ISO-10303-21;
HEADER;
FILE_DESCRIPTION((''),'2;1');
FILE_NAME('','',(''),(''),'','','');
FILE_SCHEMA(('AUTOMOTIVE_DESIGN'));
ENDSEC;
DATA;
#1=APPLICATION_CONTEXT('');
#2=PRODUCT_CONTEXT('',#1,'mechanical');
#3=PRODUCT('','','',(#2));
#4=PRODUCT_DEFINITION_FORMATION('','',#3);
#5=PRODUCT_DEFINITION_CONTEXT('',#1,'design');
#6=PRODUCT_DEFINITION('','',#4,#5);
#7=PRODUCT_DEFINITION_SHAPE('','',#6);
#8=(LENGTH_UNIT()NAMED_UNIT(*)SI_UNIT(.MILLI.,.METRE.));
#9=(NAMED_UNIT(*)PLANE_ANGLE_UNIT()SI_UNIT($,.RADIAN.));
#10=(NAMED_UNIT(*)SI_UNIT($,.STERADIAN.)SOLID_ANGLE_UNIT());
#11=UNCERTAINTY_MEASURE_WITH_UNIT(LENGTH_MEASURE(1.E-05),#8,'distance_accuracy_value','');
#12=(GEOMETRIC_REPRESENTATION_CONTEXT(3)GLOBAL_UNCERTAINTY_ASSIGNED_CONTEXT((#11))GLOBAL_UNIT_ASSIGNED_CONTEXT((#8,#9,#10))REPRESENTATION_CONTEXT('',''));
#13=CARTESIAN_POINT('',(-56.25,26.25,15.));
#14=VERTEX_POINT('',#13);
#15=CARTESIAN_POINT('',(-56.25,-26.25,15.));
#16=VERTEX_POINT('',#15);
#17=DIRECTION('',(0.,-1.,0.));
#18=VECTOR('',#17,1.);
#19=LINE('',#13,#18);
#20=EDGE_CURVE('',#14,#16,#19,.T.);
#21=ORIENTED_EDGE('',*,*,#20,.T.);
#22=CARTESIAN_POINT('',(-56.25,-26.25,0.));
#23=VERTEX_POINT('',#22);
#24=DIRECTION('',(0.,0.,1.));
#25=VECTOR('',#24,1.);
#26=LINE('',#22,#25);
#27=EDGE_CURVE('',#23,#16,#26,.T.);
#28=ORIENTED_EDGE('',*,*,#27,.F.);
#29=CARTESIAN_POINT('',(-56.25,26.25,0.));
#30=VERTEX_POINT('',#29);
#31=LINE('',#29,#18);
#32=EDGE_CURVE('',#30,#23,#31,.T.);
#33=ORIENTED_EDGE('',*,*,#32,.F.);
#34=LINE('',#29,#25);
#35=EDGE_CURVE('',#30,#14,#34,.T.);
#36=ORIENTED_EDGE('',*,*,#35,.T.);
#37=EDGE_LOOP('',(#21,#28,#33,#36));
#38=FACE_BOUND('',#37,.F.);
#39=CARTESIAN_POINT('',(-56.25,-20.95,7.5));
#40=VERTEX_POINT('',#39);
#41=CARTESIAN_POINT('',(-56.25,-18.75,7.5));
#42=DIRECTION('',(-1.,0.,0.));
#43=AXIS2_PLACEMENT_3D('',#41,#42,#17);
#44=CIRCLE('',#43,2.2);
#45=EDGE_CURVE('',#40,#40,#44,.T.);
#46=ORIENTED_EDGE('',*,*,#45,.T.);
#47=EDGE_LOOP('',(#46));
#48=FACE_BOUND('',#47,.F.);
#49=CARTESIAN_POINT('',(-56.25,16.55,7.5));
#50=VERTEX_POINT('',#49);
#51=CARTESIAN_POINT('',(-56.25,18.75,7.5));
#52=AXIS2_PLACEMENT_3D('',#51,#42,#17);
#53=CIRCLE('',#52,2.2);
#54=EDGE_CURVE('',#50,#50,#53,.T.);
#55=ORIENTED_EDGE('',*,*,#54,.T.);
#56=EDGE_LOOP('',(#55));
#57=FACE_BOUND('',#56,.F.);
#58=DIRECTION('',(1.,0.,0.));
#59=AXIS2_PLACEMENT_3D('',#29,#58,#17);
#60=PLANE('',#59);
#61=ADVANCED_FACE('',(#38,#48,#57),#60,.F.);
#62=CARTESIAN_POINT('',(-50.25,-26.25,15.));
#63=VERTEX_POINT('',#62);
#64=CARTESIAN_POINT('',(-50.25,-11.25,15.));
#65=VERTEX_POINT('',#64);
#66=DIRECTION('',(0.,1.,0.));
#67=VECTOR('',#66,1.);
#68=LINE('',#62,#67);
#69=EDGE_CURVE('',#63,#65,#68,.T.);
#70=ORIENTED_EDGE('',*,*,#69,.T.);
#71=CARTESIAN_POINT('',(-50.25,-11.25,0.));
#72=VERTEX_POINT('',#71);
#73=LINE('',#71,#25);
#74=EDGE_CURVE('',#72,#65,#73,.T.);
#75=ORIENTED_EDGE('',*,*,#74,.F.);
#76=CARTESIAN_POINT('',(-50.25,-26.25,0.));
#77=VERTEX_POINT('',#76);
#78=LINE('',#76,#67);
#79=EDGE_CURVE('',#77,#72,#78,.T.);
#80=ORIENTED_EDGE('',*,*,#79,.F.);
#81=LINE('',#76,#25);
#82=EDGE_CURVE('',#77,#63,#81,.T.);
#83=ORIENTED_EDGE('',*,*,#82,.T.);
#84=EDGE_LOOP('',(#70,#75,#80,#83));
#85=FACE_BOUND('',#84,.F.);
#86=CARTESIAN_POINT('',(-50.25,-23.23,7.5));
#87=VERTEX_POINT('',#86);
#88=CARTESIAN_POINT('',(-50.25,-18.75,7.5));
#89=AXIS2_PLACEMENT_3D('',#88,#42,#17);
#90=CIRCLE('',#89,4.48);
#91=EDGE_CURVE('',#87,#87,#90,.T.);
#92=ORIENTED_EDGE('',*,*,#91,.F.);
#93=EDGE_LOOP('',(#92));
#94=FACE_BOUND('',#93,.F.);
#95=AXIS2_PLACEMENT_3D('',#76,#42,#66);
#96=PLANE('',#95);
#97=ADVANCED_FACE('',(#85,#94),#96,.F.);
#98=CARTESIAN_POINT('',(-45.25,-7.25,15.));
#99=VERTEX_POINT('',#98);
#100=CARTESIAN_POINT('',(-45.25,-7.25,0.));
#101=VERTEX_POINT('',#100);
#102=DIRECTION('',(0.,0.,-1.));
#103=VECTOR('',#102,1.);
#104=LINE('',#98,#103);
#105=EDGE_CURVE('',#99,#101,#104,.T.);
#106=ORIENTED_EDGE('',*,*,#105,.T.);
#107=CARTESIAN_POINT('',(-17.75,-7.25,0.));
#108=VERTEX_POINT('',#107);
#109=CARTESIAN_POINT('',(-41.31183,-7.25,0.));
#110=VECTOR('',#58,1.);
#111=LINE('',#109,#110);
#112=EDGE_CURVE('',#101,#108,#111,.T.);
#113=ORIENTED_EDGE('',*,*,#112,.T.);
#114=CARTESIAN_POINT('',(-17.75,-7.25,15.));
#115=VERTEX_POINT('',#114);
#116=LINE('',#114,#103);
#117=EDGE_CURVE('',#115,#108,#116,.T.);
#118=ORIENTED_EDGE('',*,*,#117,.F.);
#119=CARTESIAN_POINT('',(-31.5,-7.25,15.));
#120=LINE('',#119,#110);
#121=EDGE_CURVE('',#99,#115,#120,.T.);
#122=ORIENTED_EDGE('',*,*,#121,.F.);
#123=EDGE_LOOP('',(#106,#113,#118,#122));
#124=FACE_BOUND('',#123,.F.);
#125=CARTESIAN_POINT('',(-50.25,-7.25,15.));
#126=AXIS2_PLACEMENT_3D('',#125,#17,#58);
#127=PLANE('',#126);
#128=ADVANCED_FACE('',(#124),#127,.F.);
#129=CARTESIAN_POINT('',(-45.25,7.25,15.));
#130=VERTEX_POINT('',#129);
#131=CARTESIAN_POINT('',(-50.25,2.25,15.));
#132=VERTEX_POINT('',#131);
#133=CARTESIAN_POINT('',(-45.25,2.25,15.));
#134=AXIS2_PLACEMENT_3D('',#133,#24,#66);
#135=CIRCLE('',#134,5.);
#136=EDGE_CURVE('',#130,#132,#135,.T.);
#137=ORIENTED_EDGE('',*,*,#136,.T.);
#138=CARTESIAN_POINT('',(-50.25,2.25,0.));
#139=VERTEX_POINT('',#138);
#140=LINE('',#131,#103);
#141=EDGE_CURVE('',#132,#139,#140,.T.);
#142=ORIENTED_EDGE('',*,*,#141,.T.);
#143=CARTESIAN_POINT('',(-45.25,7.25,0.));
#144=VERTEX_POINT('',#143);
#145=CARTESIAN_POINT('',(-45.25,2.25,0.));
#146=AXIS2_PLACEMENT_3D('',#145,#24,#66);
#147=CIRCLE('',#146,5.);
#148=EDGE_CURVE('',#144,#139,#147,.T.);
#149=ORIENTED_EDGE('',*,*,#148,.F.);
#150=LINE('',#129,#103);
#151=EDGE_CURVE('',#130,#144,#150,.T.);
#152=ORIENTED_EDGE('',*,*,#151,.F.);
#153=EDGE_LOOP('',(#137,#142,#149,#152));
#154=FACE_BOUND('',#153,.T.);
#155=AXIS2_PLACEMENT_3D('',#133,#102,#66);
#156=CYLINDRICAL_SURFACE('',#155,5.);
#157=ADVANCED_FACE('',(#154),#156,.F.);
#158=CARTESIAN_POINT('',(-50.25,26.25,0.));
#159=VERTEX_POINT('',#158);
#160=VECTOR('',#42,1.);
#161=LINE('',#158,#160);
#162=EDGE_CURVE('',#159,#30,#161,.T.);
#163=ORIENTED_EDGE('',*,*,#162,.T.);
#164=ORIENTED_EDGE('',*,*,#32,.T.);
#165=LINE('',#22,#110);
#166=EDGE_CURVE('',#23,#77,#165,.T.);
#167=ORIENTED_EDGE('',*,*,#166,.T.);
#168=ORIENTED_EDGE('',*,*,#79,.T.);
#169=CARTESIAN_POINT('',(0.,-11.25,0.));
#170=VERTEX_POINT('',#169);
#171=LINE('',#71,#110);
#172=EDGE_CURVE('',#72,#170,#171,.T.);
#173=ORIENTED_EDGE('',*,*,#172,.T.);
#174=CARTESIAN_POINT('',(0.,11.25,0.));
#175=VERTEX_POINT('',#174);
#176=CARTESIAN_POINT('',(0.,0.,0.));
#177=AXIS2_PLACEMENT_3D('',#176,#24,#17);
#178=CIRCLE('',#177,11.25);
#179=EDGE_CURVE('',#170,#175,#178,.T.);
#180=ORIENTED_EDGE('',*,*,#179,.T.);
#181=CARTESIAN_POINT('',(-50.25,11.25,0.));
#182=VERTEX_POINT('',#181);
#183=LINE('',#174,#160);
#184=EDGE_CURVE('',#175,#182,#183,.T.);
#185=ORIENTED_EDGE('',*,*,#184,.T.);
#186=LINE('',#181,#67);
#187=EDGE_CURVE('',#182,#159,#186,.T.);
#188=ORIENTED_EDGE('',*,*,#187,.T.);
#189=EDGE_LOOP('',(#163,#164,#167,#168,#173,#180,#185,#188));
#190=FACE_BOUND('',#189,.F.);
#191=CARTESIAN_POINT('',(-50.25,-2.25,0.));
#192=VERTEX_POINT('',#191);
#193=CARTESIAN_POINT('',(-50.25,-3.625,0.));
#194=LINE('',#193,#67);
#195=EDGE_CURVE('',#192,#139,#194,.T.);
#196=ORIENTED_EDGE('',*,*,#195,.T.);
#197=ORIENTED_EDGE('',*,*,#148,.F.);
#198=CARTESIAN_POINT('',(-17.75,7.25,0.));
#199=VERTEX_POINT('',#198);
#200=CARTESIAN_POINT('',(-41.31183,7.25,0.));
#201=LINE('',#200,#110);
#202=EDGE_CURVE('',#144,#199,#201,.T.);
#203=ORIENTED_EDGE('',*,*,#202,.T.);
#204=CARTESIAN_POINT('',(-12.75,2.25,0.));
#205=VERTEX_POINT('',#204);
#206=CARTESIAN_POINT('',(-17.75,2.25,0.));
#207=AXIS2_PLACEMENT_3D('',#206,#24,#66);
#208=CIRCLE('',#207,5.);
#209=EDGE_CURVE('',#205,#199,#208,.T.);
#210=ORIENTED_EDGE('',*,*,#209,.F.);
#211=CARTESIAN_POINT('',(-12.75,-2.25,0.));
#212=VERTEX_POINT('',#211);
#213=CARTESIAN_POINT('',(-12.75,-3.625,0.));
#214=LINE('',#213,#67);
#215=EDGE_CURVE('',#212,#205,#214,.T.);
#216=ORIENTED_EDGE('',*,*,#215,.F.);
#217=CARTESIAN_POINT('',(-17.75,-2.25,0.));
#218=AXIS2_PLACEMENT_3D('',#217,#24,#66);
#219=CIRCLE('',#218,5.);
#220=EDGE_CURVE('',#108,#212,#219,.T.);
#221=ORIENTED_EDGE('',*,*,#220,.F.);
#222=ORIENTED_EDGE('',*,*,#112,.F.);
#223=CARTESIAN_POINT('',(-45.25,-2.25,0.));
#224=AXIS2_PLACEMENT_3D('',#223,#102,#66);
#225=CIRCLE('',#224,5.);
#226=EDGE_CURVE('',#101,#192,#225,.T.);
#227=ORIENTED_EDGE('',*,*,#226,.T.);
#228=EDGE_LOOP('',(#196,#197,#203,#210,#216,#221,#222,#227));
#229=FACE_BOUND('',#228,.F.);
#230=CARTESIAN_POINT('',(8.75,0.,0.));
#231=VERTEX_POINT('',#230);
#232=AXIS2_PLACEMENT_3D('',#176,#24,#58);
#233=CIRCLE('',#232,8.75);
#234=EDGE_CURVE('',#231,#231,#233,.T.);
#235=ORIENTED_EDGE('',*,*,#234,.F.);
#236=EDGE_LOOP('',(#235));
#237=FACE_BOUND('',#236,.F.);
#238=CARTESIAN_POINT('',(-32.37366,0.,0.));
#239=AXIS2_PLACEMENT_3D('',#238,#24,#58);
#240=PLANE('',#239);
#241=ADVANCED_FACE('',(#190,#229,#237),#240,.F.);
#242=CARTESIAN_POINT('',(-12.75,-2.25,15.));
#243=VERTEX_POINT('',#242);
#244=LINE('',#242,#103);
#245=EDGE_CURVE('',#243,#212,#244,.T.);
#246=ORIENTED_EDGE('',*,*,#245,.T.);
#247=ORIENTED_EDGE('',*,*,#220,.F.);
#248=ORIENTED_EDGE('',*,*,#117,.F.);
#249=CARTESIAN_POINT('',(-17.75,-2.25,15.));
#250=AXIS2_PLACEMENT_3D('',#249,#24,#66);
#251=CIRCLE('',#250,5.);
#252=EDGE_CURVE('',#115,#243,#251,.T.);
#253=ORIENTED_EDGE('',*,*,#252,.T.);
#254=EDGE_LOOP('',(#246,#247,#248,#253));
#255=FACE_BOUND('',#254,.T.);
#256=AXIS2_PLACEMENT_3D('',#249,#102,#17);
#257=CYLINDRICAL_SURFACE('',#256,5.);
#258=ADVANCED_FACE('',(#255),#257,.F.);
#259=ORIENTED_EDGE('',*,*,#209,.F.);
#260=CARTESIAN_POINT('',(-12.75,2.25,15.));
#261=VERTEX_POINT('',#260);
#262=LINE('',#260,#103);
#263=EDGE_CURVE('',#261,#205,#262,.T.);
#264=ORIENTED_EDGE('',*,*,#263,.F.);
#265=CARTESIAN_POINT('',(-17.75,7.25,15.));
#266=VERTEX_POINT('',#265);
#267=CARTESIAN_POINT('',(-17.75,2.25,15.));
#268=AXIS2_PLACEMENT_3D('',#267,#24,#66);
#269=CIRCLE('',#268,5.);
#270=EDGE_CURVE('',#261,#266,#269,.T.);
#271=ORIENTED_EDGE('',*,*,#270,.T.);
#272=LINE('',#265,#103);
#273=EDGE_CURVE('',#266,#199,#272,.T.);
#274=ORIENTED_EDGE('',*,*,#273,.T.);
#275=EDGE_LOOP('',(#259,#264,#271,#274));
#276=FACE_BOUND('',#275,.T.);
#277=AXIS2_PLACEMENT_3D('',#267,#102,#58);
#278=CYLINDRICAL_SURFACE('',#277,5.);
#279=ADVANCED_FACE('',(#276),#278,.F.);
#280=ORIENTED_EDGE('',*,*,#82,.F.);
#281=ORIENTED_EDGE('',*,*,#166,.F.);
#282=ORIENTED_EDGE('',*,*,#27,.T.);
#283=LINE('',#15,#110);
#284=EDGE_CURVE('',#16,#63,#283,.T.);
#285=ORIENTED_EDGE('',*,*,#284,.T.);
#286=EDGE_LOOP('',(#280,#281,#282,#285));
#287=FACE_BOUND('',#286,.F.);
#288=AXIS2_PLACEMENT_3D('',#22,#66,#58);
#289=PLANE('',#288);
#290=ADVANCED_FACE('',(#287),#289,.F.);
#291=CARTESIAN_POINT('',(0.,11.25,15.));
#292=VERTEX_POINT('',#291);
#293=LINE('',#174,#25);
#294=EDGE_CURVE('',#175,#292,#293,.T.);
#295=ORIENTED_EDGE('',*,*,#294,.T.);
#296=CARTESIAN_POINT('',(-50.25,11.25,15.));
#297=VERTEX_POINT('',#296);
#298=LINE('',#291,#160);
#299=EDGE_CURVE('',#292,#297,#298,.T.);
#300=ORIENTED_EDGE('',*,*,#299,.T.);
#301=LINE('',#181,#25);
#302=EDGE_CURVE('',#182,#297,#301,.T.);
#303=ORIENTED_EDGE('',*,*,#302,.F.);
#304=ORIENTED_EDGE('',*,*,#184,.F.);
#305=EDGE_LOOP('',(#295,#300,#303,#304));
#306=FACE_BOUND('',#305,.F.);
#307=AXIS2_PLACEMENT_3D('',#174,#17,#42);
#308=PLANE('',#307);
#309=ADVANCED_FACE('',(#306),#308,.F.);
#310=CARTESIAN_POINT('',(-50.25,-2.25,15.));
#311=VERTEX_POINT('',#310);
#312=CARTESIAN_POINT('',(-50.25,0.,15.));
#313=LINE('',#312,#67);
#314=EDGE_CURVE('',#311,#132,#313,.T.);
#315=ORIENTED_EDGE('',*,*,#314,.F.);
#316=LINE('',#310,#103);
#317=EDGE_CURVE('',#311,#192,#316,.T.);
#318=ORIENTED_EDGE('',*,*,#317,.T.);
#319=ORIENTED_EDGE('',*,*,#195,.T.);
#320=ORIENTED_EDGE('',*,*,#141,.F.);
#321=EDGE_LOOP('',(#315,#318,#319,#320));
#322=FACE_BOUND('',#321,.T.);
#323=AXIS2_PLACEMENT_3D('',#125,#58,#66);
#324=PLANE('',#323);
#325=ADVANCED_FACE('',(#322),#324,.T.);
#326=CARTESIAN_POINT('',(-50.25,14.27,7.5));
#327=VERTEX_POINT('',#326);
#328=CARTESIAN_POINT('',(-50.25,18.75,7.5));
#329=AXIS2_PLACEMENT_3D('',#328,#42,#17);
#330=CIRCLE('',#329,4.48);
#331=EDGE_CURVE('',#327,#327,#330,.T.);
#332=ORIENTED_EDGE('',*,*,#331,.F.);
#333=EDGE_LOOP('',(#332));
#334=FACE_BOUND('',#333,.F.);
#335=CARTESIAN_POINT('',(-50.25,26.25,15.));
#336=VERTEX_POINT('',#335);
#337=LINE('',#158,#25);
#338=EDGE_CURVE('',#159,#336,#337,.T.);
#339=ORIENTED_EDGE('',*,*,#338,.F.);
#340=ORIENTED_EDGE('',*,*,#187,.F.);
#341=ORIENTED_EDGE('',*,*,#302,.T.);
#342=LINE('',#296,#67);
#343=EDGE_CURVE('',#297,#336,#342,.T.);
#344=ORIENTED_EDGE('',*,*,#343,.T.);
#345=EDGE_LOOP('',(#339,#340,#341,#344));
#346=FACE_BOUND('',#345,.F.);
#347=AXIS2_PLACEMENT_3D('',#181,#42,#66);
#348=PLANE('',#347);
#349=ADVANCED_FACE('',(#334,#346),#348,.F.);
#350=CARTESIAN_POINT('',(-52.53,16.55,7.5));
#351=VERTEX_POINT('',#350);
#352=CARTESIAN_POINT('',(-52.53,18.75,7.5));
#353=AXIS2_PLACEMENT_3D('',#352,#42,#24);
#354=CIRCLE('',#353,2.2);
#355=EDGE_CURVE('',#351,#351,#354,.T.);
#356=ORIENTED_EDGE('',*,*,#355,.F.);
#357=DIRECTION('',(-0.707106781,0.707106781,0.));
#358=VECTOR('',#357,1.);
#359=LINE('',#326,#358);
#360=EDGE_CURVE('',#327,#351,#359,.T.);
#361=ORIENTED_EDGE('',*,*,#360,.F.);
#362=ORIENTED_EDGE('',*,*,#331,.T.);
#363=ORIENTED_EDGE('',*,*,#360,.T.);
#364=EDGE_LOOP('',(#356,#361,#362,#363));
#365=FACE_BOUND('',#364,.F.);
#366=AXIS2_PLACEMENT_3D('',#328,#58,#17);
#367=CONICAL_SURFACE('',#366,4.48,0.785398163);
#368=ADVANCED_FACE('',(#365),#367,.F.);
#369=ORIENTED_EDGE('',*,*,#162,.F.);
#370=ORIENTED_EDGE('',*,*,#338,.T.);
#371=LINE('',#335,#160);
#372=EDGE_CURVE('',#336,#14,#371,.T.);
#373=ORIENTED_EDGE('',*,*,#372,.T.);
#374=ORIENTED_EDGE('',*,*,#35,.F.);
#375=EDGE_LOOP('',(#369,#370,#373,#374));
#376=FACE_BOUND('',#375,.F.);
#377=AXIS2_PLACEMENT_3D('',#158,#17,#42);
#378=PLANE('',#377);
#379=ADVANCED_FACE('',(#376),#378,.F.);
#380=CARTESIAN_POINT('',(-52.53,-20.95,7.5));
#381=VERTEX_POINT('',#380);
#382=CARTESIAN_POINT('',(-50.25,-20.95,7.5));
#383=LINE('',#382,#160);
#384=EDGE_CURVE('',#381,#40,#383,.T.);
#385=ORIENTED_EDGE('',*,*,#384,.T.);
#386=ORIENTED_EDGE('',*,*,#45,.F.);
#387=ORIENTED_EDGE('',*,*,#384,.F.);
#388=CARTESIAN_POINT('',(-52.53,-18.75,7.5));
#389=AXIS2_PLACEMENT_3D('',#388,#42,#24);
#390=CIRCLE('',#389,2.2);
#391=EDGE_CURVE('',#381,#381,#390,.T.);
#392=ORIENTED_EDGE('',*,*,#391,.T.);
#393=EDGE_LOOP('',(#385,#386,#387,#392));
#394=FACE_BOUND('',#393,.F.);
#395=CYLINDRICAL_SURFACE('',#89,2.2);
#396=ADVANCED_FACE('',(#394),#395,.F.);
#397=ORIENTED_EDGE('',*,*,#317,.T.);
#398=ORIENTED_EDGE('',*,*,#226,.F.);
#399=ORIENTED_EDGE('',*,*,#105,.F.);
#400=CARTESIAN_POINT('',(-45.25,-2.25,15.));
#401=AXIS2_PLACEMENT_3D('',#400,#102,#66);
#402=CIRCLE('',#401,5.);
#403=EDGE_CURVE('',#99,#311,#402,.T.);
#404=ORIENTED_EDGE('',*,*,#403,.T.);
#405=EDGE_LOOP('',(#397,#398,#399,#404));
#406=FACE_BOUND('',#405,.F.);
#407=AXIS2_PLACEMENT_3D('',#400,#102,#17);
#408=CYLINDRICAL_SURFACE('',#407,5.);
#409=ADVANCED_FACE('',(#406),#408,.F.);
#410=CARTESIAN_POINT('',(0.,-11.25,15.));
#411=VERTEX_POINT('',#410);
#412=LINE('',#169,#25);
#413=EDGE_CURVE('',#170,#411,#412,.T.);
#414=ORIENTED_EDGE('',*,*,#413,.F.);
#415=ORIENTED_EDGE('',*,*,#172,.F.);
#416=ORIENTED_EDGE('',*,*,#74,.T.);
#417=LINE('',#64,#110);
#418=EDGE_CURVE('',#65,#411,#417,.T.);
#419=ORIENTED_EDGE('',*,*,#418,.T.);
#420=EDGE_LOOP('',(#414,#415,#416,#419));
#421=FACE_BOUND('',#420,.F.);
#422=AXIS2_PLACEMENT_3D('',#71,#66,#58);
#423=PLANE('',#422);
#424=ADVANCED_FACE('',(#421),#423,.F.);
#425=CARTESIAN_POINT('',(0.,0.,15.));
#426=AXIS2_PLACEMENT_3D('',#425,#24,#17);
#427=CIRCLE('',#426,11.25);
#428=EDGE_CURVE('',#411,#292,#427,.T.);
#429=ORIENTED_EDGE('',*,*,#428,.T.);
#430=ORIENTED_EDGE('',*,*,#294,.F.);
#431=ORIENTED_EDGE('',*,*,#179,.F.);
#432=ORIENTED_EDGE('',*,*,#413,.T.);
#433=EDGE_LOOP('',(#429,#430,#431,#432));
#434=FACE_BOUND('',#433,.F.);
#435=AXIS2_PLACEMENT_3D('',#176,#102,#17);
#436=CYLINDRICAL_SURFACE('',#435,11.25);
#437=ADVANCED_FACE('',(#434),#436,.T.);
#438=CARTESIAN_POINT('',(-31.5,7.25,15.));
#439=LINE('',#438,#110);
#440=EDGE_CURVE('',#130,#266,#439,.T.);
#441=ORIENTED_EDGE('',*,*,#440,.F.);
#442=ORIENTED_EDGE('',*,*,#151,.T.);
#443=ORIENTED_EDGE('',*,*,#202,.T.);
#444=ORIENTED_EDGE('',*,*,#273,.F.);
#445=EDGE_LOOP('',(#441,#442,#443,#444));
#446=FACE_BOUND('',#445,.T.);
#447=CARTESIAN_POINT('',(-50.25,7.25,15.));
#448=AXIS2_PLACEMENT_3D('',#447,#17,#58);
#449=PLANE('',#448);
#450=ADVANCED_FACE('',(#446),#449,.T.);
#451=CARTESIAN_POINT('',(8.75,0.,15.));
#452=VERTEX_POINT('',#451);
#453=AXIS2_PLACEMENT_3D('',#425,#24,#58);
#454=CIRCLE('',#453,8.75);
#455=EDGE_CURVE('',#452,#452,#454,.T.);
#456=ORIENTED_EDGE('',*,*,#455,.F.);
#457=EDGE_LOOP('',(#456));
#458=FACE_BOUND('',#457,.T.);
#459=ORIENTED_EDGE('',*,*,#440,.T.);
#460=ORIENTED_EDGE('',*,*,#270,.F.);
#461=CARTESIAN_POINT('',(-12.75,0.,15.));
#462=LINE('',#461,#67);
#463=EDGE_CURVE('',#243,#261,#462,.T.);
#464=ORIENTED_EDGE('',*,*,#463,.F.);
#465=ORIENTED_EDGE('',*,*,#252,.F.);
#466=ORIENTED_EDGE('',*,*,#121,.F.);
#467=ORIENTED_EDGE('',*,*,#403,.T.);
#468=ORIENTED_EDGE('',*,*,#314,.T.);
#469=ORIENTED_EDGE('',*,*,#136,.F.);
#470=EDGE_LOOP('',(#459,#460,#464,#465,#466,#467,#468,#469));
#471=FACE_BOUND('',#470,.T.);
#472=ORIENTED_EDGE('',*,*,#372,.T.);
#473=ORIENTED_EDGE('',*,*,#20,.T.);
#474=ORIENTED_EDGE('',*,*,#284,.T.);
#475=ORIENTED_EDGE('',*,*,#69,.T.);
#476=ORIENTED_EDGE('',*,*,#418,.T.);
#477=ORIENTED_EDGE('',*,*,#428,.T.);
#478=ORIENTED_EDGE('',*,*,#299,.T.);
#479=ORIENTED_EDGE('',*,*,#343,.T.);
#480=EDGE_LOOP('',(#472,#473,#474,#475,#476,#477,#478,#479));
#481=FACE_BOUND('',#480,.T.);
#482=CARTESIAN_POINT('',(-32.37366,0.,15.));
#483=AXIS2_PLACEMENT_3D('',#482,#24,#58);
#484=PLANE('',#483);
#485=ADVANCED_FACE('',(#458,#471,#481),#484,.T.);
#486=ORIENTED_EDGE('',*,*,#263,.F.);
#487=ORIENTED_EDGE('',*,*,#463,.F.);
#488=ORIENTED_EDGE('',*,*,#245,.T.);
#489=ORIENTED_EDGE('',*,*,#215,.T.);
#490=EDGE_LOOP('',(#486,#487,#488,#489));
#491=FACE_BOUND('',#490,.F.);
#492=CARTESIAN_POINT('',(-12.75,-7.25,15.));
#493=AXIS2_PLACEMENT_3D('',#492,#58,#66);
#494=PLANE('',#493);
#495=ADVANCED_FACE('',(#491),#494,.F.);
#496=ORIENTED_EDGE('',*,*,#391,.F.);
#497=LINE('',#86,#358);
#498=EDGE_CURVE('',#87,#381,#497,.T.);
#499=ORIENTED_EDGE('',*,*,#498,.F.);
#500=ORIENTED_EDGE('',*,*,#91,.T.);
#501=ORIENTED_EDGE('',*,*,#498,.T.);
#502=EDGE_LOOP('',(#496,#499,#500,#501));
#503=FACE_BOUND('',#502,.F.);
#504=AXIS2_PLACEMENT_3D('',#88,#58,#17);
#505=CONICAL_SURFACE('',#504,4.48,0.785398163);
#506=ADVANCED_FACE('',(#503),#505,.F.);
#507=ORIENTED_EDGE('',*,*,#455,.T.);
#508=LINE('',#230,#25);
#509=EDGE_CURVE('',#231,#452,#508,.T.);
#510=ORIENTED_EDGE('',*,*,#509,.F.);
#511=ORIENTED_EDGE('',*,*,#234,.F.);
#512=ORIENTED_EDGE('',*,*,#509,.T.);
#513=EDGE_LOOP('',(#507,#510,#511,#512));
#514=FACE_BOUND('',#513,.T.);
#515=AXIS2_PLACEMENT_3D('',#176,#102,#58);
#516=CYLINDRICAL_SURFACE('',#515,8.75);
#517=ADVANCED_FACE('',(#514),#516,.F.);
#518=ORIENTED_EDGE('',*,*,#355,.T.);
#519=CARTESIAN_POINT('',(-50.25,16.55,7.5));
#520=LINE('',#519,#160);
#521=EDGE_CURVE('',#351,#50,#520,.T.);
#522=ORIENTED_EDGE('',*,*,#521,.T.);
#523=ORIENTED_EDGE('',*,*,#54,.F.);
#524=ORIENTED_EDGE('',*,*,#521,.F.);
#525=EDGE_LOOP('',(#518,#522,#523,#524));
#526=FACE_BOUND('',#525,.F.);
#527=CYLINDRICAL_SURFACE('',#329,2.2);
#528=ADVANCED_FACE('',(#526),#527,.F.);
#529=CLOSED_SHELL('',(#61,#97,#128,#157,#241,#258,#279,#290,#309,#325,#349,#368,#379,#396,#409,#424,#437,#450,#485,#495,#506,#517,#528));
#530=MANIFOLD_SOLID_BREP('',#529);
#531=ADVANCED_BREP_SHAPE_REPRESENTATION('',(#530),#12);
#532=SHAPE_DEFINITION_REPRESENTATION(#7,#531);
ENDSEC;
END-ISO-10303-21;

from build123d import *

# Parameters (mm, degrees)
F0_R                 = 8.75
F1_DEPTH             = 15
F4_D                 = 4.4
F4_CSINK_D           = 8.96
F4_CSINK_ANGLE       = 90
F4_ON_F3_D           = 4.4
F4_ON_F3_CSINK_D     = 8.96
F4_ON_F3_CSINK_ANGLE = 90
F5_W                 = 37.5
F5_H                 = 14.5
F6_DEPTH             = 25
F7_R                 = 5


with BuildPart() as f1:
    # F0 (on Top) → F1 (new body)
    with BuildSketch(Plane.XY):
        with BuildLine():
            Line((-50.25, -11.25), (0, -11.25))
            ThreePointArc((0, -11.25), (11.25, 0), (0, 11.25))
            Line((0, 11.25), (-50.25, 11.25))
            Line((-50.25, 11.25), (-50.25, 26.25))
            Line((-50.25, 26.25), (-56.25, 26.25))
            Line((-56.25, 26.25), (-56.25, -26.25))
            Line((-56.25, -26.25), (-50.25, -26.25))
            Line((-50.25, -26.25), (-50.25, -11.25))
        make_face()
        Circle(F0_R, mode=Mode.SUBTRACT)
    extrude(amount=F1_DEPTH)

    # F4 (through all)
    with Locations(Plane.YZ.offset(-50.25)):
        with Locations((-18.75, 7.5)):
            CounterSinkHole(F4_D / 2, F4_CSINK_D / 2, counter_sink_angle=F4_CSINK_ANGLE)

    # F4 on F3 (through all)
    with Locations(Plane.YZ.offset(-50.25)):
        with Locations((18.75, 7.5)):
            CounterSinkHole(F4_ON_F3_D / 2, F4_ON_F3_CSINK_D / 2, counter_sink_angle=F4_ON_F3_CSINK_ANGLE)

    # F5 (on face) → F6 (cut)
    with BuildSketch(Plane.XY.offset(15)):
        with Locations((-31.5, 0)):
            Rectangle(F5_W, F5_H)
    extrude(amount=-F6_DEPTH, mode=Mode.SUBTRACT)

    # F7
    f7_edges = [f1.edges().sort_by_distance(p)[0] for p in [
        (-50.25, 7.25, 7.5),
        (-50.25, -7.25, 7.5),
        (-12.75, 7.25, 7.5),
        (-12.75, -7.25, 7.5),
    ]]
    fillet(f7_edges, radius=F7_R)


solid = f1.part
